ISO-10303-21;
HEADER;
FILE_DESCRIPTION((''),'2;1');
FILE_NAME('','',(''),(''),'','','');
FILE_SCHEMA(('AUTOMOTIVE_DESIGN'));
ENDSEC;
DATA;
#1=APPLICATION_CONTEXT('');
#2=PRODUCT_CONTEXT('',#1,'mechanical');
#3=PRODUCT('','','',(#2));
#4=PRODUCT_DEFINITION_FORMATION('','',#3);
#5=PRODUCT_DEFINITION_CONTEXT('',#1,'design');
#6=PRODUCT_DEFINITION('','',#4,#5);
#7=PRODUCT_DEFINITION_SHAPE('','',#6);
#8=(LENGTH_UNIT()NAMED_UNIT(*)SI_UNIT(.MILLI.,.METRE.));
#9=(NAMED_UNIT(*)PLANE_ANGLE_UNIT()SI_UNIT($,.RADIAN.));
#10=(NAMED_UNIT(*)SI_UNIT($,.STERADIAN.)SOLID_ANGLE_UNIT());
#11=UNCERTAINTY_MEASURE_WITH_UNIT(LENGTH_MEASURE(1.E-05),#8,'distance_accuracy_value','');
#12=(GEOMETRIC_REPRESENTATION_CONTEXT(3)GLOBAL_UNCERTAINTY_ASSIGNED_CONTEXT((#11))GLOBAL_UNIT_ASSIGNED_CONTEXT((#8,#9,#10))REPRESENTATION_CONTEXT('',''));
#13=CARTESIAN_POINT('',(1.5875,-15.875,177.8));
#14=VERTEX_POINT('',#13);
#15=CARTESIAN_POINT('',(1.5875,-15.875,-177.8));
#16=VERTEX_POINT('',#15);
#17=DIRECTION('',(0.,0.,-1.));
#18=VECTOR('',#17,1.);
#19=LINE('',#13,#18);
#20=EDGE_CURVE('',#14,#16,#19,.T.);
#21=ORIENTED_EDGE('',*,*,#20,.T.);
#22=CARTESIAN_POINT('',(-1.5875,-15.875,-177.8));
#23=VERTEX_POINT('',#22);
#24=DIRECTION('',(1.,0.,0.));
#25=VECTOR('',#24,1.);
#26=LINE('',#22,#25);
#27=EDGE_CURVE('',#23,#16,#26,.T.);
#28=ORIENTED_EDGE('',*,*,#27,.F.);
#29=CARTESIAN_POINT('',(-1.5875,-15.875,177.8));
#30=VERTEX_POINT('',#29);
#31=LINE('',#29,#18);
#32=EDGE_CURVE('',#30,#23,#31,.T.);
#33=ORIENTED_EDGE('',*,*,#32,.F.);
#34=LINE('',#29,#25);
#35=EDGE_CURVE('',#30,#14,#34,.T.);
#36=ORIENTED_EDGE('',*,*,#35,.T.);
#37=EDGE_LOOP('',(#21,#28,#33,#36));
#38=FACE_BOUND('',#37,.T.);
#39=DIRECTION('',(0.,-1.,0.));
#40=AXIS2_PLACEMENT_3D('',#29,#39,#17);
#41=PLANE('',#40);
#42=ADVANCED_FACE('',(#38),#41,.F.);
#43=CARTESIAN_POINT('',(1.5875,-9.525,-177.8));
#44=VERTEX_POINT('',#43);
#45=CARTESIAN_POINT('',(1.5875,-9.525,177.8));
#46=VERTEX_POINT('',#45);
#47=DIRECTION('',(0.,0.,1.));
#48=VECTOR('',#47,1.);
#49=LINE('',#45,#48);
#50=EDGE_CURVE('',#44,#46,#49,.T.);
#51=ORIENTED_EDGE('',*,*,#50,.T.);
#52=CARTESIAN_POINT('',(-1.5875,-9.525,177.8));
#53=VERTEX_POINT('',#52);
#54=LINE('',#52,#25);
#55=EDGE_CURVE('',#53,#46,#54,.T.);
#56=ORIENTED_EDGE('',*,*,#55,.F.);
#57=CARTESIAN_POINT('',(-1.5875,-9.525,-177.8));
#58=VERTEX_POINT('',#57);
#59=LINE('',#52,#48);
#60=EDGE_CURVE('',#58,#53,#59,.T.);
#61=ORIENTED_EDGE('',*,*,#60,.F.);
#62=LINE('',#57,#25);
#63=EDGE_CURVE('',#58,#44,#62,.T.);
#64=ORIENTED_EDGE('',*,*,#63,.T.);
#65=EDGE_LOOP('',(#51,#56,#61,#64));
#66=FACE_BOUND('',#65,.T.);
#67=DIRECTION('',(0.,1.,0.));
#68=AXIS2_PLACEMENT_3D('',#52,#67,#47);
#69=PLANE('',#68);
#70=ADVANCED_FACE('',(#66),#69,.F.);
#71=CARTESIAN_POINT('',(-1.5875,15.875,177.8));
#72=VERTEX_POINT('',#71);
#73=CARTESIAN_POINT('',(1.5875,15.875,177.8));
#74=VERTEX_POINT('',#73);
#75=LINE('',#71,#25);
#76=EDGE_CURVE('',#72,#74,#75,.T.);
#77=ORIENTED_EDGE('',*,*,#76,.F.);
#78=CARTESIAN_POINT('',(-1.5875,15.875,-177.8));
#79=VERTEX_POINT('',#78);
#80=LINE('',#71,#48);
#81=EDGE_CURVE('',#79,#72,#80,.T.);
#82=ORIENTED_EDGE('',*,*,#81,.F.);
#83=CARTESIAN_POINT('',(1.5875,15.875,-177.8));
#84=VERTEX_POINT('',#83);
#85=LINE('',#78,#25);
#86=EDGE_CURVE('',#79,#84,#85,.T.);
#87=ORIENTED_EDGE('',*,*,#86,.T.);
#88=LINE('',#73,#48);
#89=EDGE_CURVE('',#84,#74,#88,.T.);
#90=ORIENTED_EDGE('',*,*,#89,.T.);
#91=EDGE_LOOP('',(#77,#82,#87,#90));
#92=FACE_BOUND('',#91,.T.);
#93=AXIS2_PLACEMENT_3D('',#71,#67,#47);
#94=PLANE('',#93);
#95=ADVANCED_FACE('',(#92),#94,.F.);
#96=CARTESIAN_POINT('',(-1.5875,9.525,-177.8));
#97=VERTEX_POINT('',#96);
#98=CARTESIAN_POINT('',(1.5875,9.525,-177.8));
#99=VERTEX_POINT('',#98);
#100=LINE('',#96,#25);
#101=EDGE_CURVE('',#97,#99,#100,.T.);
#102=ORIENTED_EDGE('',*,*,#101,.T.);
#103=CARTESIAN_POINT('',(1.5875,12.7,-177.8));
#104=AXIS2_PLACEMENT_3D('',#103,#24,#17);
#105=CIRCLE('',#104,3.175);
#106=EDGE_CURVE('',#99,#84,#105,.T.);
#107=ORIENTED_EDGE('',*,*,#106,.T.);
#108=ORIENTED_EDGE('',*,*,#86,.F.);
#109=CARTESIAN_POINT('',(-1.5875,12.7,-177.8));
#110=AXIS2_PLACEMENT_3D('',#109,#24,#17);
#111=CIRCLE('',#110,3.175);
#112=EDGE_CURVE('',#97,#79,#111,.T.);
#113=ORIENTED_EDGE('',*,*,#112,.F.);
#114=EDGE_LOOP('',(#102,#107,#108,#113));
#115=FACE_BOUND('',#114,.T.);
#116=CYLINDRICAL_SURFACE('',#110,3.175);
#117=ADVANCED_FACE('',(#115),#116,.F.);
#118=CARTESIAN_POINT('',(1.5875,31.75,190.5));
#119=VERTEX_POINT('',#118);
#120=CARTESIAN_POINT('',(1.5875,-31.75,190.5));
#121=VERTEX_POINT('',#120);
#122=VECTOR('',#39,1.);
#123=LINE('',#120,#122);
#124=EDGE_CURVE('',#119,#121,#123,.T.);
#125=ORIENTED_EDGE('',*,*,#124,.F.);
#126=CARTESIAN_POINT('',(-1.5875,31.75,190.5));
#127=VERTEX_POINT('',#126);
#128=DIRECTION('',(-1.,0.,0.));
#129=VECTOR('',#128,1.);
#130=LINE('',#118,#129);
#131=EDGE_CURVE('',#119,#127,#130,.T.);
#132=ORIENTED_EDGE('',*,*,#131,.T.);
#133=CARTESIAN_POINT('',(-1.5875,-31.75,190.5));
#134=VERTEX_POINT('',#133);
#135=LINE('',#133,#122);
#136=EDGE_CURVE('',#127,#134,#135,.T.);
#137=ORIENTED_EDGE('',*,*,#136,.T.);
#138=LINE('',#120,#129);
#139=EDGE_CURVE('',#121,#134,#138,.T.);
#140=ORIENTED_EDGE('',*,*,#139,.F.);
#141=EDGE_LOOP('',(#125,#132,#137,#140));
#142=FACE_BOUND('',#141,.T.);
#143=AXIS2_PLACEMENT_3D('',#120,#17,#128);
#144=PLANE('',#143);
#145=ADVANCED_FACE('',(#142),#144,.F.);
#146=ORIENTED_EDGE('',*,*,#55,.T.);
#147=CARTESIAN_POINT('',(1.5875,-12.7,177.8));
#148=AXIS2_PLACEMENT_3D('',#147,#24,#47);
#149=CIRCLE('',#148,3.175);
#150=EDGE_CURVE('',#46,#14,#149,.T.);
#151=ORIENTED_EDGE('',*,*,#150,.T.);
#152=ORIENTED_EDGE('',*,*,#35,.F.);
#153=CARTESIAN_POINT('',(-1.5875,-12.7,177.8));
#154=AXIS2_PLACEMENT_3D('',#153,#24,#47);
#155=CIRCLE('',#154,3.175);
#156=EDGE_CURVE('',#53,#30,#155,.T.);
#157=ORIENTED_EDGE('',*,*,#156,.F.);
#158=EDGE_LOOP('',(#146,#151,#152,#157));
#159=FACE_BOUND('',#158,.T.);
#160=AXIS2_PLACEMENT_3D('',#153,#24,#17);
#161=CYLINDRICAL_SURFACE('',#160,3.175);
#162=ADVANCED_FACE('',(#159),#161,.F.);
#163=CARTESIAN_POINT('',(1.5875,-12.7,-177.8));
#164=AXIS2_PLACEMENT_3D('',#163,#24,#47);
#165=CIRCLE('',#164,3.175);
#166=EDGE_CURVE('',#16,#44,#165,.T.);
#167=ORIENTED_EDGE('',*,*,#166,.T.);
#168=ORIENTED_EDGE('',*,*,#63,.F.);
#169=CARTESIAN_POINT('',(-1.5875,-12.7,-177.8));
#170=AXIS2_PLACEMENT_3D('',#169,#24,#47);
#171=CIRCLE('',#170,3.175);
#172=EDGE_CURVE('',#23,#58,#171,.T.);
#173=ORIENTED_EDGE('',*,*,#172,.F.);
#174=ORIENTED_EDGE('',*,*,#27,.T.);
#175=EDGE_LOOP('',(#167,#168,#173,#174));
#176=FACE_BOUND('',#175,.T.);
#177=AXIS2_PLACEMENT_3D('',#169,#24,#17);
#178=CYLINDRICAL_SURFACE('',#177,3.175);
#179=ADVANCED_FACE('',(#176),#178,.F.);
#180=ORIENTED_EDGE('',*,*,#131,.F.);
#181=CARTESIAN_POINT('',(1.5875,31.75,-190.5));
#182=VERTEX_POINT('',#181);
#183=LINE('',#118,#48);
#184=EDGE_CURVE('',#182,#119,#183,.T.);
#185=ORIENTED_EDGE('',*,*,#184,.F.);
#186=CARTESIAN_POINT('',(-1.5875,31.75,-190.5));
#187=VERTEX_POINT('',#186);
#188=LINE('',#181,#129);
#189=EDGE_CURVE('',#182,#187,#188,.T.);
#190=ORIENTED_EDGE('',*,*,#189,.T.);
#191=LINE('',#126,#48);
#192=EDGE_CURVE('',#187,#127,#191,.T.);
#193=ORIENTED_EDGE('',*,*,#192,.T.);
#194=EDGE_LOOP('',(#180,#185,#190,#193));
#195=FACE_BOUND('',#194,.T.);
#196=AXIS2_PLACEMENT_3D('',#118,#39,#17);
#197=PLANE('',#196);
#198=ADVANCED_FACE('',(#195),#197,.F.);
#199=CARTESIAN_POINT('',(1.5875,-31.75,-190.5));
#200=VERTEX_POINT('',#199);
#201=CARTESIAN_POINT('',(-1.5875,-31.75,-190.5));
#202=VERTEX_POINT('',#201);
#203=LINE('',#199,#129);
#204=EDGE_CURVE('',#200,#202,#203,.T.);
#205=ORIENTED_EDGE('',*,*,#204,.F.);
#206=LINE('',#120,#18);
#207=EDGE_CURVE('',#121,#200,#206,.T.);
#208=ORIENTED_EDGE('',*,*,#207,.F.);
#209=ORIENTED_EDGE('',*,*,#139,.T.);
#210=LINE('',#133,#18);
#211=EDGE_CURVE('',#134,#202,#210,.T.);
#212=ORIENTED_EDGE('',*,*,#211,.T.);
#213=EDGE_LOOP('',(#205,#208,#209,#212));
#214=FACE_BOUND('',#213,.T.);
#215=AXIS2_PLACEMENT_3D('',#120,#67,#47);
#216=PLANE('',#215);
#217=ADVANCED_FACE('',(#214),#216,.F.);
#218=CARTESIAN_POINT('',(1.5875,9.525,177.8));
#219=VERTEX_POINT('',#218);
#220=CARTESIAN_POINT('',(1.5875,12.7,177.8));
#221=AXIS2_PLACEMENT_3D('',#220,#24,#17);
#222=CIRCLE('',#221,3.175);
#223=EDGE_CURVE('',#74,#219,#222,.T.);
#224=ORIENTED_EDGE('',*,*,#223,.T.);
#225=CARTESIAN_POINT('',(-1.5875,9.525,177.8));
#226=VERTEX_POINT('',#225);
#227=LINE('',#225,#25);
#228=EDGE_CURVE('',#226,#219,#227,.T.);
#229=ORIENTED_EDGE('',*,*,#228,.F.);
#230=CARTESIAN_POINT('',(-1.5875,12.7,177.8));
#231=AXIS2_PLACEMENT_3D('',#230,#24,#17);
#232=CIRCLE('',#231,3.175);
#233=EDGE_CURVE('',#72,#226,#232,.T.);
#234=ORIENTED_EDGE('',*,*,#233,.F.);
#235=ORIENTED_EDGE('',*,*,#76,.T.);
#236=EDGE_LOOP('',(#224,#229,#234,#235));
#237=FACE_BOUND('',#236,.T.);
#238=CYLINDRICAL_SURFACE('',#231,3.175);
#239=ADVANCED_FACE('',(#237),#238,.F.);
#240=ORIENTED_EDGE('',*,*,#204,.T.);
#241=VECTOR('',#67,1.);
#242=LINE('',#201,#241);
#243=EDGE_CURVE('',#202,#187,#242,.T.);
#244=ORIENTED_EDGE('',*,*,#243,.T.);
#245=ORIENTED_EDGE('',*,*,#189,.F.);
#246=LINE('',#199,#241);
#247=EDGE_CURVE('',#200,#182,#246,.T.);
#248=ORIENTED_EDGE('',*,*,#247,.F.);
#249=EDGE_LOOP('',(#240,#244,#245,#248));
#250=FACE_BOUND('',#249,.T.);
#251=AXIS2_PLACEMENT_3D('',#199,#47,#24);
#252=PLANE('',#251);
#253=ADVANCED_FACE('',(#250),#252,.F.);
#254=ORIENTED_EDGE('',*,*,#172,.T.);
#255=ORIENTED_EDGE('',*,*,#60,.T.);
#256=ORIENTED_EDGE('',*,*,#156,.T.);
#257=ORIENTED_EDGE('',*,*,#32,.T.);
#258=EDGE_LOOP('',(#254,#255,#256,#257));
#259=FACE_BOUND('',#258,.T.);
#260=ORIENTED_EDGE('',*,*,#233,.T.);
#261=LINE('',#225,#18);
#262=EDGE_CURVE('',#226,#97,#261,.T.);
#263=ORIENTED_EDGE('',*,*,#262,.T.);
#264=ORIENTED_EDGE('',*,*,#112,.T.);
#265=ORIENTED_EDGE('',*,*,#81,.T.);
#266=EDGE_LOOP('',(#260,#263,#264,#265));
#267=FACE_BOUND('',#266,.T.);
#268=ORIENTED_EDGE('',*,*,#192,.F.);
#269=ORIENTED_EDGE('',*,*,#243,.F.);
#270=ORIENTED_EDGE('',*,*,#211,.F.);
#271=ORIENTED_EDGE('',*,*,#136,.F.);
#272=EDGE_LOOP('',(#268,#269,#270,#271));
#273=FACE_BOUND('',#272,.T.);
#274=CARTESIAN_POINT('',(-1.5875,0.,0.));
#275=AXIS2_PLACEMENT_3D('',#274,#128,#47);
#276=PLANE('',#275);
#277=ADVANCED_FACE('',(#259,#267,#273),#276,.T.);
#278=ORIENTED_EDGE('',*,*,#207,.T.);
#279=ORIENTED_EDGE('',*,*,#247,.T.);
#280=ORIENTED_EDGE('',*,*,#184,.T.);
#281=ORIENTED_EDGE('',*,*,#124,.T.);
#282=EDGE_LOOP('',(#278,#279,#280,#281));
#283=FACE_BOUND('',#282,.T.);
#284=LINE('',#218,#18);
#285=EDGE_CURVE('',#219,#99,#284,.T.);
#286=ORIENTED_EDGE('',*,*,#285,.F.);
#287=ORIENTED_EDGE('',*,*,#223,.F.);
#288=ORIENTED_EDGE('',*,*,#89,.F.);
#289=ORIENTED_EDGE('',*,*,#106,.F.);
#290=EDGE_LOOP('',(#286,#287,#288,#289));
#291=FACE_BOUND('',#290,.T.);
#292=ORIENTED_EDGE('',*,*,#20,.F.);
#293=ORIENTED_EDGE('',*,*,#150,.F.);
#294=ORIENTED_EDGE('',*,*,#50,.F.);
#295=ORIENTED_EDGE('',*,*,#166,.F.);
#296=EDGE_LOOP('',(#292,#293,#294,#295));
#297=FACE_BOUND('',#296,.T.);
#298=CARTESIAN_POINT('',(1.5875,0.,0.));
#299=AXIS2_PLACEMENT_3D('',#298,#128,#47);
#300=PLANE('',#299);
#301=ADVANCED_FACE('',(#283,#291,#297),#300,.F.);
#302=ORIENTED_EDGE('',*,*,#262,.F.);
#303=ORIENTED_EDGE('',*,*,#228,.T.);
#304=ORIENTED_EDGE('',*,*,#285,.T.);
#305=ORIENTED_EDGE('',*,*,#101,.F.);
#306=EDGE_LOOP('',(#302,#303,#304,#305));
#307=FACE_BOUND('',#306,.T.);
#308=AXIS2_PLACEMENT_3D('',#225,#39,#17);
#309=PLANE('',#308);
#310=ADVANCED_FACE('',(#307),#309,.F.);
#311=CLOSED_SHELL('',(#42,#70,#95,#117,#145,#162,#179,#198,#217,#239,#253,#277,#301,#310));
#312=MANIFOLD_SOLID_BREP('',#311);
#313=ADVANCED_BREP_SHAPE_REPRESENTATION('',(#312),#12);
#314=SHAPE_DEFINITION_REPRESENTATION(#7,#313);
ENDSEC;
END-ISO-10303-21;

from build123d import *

# Parameters (mm, degrees)
SKETCH1_W       = 381
SKETCH1_H       = 63.5
OUTER_CUT_DEPTH = 1.5875
SLOTS_DEPTH     = 194.153806913


with BuildPart() as part:
    # Sketch1 → Outer Cut (new, symmetric)
    with BuildSketch(Plane(origin=(0, 0, 0), x_dir=(0, 0, -1), z_dir=(1, 0, 0))):
        Rectangle(SKETCH1_W, SKETCH1_H)
    extrude(amount=OUTER_CUT_DEPTH, both=True)

    # Sketch2 → Slots (cut, through all)
    with BuildSketch(Plane(origin=(1.5875, 0, 0), x_dir=(0, 0, -1), z_dir=(1, 0, 0))):
        with BuildLine():
            Line((-177.8, 15.875), (177.8, 15.875))
            ThreePointArc((177.8, 15.875), (180.975, 12.7), (177.8, 9.525))
            Line((177.8, 9.525), (-177.8, 9.525))
            ThreePointArc((-177.8, 9.525), (-180.975, 12.7), (-177.8, 15.875))
        make_face()
        with BuildLine():
            Line((-177.8, -15.875), (177.8, -15.875))
            ThreePointArc((177.8, -15.875), (180.975, -12.7), (177.8, -9.525))
            Line((177.8, -9.525), (-177.8, -9.525))
            ThreePointArc((-177.8, -9.525), (-180.975, -12.7), (-177.8, -15.875))
        make_face()
    extrude(amount=-SLOTS_DEPTH, mode=Mode.SUBTRACT)


solid = part.part
